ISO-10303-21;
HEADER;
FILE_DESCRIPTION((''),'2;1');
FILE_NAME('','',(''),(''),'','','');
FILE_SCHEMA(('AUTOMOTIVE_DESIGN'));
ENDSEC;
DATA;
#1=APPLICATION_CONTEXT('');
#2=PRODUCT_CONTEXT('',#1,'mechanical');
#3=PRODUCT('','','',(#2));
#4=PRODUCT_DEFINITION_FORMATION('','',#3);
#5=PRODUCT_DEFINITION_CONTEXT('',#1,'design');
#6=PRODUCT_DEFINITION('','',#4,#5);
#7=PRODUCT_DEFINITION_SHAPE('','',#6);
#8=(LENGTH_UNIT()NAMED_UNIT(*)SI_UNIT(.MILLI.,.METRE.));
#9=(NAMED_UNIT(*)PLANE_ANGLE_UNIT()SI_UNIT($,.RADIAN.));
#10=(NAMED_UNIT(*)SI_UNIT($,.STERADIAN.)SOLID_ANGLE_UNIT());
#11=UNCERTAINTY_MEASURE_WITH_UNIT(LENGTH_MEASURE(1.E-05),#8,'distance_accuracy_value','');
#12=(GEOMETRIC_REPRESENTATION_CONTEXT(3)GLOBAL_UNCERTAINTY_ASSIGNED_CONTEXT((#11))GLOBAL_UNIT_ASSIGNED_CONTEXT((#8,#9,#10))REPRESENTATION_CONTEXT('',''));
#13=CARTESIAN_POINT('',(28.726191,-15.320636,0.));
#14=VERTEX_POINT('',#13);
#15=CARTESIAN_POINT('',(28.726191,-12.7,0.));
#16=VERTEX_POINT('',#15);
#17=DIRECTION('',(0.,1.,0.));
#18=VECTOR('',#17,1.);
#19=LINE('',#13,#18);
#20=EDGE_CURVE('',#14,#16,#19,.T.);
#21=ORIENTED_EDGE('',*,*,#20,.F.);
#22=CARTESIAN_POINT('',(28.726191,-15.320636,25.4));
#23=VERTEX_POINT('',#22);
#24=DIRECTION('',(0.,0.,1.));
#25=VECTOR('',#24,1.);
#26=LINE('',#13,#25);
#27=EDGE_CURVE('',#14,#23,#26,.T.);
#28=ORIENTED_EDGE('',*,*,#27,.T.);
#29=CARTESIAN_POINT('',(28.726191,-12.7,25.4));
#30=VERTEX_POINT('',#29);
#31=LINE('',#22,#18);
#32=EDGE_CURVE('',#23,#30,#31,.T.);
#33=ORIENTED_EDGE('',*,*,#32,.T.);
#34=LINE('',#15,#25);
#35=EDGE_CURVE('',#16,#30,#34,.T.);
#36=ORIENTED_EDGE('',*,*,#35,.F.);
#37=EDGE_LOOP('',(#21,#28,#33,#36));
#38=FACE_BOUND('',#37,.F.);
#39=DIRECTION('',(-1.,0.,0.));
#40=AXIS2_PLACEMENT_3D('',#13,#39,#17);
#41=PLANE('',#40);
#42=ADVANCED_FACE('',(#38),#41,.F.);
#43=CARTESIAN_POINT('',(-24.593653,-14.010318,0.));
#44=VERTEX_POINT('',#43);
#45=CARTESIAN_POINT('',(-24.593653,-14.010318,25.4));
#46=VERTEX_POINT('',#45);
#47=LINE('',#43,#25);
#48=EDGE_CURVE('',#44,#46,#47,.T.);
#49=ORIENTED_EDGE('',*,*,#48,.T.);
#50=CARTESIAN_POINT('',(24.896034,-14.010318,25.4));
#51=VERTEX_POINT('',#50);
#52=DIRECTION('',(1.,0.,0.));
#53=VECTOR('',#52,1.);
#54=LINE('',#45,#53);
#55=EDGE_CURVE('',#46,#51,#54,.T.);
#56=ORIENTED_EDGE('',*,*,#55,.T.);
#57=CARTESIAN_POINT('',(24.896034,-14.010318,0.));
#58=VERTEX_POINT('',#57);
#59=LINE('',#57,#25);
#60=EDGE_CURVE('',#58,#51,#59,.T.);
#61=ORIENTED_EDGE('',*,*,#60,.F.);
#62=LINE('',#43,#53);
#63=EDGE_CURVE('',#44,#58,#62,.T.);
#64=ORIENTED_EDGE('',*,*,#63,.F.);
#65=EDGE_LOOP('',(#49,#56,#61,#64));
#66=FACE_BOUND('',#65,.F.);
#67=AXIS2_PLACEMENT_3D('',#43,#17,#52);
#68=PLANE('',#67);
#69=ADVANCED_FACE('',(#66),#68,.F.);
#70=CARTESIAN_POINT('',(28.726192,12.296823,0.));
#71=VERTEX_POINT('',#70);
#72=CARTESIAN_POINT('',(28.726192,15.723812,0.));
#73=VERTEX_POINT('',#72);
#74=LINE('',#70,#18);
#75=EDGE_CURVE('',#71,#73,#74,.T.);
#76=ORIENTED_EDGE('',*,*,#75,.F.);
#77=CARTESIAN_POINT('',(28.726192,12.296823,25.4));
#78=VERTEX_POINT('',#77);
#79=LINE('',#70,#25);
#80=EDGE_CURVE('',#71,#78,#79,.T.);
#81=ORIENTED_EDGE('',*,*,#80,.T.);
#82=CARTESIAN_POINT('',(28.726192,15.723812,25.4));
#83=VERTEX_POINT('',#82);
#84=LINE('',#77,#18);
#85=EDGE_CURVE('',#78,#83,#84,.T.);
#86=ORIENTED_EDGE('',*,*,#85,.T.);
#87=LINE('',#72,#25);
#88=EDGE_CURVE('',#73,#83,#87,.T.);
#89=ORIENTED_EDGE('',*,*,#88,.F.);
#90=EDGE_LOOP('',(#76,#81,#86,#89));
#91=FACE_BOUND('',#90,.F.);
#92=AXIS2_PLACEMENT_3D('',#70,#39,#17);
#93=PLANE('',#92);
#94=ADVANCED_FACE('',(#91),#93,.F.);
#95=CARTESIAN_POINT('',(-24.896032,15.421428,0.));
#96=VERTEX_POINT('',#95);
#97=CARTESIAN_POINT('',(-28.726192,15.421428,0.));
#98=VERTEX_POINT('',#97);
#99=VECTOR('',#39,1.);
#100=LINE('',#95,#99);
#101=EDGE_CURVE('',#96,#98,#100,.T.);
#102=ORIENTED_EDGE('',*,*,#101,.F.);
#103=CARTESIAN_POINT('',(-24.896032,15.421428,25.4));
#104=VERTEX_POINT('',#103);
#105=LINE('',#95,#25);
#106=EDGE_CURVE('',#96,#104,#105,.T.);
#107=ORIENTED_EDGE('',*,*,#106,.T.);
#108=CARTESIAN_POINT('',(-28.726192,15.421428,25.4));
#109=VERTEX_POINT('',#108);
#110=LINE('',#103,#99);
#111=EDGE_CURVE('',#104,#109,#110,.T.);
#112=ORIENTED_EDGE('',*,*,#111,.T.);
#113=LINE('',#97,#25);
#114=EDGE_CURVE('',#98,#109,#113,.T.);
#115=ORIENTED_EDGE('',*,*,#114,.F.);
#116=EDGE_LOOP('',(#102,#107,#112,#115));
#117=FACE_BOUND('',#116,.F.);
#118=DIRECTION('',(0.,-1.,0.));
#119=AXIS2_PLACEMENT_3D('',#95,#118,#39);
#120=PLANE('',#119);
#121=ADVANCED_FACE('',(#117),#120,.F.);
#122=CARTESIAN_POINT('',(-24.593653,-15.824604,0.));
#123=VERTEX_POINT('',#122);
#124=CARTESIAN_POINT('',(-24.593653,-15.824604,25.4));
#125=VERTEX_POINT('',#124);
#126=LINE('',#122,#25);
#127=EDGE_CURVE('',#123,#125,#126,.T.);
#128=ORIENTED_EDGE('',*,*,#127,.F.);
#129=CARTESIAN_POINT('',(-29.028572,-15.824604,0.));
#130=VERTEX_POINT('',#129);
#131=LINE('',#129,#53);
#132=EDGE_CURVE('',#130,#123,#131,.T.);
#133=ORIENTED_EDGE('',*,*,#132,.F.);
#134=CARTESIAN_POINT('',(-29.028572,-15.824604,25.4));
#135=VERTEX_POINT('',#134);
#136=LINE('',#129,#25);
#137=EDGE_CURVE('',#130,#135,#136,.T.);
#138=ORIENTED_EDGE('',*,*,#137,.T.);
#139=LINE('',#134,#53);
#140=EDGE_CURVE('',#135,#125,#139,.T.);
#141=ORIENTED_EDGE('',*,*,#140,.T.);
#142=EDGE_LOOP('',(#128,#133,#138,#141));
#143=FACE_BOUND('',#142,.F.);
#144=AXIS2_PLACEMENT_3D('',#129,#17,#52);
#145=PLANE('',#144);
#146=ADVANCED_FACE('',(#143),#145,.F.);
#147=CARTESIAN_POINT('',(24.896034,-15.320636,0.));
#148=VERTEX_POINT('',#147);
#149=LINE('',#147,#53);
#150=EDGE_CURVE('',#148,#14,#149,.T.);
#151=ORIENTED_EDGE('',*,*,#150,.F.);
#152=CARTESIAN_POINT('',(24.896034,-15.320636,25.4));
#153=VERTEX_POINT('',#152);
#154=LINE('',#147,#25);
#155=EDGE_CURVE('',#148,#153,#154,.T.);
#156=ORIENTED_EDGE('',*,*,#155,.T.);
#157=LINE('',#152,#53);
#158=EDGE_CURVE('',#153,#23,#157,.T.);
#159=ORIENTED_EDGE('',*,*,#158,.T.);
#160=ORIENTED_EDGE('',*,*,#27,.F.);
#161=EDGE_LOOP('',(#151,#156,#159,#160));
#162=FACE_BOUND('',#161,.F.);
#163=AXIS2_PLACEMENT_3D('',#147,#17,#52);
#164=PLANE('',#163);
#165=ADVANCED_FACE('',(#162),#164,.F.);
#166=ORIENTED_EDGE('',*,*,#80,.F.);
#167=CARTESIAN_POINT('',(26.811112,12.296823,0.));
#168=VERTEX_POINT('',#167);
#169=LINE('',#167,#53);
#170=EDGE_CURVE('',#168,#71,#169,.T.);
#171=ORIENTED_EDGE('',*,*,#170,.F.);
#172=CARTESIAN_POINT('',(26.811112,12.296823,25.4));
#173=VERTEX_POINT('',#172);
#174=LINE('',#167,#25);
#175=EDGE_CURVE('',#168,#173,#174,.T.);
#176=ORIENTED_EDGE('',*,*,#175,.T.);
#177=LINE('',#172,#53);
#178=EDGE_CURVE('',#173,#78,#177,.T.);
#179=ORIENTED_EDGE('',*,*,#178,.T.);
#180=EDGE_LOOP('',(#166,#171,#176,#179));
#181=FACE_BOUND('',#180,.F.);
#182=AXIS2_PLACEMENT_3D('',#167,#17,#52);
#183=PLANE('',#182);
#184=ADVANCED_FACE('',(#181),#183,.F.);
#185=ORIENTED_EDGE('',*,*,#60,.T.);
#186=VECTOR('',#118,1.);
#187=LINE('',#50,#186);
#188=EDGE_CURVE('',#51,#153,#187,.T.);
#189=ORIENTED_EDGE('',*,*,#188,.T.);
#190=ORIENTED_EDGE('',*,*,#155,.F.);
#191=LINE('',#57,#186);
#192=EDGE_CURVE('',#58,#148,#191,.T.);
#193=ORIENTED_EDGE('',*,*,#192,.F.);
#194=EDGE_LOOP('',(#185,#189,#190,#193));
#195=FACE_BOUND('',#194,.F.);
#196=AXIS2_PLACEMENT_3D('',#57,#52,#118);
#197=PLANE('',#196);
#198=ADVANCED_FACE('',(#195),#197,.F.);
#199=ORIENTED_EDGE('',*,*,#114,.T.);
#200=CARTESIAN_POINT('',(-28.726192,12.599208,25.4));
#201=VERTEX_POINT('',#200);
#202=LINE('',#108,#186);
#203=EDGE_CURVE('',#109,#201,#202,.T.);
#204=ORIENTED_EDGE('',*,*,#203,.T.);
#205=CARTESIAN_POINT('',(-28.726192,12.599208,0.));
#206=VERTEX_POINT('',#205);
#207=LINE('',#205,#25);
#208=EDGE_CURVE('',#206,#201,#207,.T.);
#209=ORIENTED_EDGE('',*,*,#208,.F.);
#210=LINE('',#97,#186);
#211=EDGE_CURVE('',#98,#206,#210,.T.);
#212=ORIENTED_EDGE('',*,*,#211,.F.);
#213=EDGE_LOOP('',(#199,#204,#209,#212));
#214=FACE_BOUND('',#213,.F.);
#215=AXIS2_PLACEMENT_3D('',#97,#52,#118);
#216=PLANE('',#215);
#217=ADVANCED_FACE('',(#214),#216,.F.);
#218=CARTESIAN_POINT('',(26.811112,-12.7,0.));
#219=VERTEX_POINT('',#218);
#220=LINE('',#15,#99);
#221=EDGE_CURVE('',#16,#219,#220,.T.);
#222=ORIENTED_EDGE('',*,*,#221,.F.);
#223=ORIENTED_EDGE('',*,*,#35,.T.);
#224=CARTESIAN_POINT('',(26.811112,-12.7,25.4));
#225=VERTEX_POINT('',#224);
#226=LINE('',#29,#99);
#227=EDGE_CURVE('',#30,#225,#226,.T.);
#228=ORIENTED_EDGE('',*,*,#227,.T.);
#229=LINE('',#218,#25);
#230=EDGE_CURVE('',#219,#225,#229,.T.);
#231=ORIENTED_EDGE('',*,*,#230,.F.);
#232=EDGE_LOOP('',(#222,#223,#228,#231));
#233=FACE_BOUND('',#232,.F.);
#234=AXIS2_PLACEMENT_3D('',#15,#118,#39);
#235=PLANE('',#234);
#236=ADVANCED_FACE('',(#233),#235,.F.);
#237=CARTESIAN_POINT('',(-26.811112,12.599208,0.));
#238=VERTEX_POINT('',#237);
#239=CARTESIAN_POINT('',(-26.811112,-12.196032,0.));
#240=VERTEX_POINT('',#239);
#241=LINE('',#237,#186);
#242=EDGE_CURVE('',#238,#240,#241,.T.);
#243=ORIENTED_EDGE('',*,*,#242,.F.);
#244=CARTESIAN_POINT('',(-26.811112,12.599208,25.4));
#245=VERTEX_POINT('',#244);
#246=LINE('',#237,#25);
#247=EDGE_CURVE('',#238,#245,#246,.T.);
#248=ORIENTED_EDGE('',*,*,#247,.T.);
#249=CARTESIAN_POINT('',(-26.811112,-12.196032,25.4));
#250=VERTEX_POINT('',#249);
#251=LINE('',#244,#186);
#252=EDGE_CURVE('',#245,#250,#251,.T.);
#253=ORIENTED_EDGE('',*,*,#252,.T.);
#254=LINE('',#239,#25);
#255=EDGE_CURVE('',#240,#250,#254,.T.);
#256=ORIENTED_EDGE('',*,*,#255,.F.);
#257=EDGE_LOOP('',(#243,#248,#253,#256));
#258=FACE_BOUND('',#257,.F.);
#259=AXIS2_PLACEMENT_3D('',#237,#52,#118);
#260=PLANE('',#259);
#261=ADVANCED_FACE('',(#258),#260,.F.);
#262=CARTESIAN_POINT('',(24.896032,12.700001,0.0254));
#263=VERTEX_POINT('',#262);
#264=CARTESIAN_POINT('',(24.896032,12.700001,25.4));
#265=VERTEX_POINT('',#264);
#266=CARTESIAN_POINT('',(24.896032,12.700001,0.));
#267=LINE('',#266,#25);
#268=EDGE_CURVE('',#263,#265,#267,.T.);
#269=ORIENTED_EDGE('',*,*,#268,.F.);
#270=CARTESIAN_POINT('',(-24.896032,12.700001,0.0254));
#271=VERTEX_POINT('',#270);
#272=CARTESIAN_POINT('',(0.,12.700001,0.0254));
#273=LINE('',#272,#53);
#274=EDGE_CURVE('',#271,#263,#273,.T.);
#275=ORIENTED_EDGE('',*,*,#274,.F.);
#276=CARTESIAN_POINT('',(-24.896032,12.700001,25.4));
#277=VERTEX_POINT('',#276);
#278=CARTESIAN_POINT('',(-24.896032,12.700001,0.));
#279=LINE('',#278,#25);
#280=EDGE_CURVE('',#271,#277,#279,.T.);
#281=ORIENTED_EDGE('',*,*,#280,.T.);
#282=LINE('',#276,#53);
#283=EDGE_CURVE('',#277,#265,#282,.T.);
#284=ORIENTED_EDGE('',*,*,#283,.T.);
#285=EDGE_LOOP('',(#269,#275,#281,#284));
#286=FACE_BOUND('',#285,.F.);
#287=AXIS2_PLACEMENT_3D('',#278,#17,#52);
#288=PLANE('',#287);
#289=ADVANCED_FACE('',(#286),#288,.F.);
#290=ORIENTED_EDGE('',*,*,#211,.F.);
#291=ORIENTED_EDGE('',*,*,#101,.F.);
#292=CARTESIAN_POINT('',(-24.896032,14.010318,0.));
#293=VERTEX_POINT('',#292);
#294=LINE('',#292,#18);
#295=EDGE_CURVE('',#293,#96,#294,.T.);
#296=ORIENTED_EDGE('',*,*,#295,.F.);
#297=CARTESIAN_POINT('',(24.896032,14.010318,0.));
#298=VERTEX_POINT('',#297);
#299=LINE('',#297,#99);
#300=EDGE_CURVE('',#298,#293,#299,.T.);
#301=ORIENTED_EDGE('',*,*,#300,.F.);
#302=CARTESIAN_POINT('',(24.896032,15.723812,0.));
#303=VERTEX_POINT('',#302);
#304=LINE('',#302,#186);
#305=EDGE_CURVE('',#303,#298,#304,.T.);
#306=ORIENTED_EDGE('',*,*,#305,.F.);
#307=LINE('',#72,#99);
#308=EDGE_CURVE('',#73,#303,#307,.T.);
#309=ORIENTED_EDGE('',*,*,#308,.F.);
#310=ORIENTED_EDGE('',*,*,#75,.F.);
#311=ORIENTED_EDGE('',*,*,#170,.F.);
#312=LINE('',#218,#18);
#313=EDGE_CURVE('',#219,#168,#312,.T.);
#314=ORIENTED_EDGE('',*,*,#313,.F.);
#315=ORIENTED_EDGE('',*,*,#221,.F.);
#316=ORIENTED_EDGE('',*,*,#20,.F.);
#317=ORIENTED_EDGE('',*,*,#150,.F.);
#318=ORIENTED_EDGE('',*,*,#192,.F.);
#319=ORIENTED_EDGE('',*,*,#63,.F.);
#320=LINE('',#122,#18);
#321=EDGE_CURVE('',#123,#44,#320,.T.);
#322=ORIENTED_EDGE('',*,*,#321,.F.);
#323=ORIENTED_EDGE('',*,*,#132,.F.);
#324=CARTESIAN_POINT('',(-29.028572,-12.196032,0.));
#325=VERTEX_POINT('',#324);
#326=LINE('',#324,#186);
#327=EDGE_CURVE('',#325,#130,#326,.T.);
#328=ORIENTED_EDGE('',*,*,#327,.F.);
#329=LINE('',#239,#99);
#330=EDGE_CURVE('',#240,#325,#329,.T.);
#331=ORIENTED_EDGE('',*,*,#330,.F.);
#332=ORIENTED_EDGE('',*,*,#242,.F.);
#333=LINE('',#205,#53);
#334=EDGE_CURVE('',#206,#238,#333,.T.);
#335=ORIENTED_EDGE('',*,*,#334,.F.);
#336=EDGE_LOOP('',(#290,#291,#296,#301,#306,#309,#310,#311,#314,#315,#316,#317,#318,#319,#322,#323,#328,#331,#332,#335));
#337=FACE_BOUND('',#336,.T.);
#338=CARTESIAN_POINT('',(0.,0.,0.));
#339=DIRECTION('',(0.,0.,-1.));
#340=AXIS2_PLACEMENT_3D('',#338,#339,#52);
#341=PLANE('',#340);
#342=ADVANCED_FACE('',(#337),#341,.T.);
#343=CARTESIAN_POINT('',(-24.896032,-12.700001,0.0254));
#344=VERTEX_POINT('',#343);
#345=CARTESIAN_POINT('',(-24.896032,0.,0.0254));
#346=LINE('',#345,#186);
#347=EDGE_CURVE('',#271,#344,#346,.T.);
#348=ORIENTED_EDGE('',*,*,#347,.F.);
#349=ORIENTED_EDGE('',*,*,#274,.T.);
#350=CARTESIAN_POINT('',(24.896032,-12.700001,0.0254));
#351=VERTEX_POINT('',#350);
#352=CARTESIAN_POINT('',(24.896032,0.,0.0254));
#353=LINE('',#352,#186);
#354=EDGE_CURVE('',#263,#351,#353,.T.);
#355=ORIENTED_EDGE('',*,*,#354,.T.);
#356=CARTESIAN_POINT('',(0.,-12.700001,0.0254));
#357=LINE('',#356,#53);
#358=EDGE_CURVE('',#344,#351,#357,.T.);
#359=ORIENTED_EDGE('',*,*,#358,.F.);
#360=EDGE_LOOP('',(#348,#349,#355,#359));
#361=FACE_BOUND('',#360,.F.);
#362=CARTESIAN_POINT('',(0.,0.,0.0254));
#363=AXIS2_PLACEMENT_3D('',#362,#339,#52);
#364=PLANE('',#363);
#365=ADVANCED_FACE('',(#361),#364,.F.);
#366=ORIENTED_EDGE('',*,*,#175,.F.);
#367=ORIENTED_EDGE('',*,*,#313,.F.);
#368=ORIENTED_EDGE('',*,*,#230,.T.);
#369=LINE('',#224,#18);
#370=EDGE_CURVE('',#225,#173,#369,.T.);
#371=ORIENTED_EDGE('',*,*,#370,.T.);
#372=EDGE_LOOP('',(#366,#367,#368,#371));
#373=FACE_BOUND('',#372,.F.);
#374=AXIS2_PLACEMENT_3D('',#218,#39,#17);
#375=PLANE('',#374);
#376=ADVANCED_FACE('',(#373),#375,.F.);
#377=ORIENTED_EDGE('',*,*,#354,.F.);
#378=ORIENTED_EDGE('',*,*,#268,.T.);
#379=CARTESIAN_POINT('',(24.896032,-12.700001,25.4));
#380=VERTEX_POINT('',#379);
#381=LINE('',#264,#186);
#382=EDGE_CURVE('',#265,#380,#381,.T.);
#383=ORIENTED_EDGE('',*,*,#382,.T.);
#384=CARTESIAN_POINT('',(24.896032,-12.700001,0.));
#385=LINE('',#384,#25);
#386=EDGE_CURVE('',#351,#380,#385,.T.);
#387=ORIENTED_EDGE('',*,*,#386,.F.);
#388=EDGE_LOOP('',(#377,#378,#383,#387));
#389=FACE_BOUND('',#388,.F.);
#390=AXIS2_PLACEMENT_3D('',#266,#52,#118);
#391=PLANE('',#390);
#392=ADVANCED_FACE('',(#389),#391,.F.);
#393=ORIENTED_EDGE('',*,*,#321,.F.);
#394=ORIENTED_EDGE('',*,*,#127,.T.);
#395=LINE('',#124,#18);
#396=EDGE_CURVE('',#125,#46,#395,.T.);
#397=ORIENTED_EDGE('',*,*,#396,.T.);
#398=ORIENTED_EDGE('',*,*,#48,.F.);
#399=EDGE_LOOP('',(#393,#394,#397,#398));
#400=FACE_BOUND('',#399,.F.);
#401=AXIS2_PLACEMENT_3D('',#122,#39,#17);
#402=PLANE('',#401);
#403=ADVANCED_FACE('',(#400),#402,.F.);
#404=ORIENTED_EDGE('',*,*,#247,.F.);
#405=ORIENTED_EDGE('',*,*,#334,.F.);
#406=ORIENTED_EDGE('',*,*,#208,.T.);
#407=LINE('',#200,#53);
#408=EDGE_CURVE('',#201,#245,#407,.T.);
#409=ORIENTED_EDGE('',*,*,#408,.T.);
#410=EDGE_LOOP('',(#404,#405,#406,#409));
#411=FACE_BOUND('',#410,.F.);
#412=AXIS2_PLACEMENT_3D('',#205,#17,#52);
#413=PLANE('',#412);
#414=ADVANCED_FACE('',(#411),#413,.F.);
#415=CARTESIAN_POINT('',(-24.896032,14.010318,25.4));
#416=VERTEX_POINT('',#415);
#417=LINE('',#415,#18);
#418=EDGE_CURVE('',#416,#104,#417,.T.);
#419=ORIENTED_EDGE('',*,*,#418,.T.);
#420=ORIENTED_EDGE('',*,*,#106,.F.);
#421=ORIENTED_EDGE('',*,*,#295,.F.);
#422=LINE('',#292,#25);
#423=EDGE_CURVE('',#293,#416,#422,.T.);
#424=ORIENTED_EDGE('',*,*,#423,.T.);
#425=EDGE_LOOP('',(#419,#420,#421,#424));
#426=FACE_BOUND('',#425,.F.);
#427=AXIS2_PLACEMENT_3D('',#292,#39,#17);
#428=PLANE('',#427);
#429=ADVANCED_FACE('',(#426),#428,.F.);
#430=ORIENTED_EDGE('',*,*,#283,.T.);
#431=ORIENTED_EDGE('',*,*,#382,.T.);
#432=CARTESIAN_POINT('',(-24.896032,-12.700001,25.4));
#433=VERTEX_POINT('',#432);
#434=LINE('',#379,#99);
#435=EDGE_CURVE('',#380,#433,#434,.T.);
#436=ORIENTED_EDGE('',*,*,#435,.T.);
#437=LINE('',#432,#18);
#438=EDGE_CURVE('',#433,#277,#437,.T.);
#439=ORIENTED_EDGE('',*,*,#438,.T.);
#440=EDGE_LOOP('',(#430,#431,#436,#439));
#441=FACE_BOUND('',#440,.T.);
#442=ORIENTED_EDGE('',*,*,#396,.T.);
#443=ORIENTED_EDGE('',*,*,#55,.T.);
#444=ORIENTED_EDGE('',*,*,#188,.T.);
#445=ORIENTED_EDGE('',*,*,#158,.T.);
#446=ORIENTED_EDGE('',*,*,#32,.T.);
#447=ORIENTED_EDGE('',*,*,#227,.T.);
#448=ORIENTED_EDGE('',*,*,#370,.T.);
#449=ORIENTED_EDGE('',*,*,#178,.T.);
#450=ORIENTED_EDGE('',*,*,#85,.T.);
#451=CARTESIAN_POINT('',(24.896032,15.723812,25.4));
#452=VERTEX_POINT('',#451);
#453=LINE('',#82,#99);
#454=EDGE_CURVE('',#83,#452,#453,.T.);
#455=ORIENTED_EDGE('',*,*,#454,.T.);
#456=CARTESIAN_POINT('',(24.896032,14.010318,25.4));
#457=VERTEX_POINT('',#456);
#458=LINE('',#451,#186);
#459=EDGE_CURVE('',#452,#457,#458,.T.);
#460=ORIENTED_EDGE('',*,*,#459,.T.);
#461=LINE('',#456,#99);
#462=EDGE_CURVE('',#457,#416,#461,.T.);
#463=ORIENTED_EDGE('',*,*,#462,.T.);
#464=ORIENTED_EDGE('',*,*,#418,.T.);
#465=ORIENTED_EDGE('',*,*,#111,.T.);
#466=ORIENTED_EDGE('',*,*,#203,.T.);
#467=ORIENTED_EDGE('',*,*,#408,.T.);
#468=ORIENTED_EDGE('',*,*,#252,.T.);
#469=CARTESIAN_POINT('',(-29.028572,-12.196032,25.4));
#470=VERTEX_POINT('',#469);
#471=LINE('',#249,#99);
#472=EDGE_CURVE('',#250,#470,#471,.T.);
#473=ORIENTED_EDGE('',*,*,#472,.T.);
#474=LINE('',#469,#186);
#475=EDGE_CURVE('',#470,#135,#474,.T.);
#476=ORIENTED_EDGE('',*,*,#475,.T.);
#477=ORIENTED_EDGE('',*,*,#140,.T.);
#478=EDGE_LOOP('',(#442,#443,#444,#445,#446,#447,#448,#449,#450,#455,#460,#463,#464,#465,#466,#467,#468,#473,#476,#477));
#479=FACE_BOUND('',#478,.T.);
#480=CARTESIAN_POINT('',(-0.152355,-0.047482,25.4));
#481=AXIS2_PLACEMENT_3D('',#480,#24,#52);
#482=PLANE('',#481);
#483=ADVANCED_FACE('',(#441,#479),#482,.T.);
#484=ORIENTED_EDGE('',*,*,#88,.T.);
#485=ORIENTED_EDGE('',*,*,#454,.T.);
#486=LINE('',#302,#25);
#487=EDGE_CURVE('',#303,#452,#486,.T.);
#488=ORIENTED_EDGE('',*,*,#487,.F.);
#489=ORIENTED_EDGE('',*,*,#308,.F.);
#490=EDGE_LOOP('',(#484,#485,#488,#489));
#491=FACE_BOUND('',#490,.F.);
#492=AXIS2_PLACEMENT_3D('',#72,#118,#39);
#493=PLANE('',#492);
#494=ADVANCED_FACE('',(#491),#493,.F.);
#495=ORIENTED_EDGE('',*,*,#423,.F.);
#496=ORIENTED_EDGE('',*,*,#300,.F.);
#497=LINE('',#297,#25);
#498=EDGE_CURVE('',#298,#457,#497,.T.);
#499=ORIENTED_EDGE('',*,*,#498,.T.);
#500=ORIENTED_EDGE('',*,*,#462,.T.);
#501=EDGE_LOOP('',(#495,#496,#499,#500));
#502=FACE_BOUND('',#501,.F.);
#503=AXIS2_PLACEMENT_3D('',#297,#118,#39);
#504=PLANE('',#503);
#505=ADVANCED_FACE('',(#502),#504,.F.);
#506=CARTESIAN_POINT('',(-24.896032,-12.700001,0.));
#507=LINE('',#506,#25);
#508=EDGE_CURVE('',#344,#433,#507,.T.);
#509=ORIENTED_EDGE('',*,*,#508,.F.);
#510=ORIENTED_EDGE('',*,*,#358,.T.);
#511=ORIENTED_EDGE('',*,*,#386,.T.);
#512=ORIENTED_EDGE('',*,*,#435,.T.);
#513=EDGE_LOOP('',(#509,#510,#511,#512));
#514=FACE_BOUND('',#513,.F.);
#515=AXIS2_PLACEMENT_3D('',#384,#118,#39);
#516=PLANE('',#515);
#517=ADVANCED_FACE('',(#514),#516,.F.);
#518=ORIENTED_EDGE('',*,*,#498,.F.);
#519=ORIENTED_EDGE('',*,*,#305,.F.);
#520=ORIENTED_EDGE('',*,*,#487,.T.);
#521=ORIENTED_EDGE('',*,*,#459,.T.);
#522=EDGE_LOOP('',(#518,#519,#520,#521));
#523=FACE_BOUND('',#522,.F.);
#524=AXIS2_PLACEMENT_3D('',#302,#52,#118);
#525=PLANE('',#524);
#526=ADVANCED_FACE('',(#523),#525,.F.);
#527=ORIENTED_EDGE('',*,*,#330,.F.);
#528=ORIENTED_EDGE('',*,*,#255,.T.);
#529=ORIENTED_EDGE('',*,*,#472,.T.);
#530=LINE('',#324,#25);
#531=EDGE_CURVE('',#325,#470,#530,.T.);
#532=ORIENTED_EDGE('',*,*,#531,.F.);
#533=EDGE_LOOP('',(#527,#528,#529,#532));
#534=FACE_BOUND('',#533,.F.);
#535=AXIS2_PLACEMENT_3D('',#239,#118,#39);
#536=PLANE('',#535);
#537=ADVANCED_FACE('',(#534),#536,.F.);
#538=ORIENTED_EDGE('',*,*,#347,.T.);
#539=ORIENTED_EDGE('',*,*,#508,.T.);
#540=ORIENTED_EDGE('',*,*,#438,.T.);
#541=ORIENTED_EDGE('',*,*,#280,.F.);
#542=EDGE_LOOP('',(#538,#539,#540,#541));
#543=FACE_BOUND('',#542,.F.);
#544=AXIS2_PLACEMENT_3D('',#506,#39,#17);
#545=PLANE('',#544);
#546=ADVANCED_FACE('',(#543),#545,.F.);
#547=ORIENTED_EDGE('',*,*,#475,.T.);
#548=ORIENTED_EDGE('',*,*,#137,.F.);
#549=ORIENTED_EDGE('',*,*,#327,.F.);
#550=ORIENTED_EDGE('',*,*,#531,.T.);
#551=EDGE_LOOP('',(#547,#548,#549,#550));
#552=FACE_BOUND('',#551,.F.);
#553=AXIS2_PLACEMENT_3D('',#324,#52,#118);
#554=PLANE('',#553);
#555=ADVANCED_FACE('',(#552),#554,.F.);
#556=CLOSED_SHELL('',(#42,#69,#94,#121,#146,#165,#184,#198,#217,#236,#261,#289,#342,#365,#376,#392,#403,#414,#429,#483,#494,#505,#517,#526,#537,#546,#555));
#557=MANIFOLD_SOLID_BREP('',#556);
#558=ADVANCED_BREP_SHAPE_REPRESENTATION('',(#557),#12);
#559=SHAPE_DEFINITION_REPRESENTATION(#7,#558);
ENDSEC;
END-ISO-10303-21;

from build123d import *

# Parameters (mm, degrees)
F1_DEPTH = 25.4
F2_W     = 49.792064
F2_H     = 25.400002
F3_DEPTH = 0.0254


with BuildPart() as f1:
    # F0 (on Top) → F1 (new body)
    with BuildSketch(Plane.XY):
        Polygon((24.896032, 15.723812), (24.896032, 14.010318), (-24.896032, 14.010318), (-24.896032, 15.421428), (-28.726192, 15.421428), (-28.726192, 12.599208), (-26.811112, 12.599208), (-26.811112, -12.196032), (-29.028572, -12.196032), (-29.028572, -15.824604), (-24.593653, -15.824604), (-24.593653, -14.010318), (24.896034, -14.010318), (24.896034, -15.320636), (28.726191, -15.320636), (28.726191, -12.7), (26.811112, -12.7), (26.811112, 12.296823), (28.726192, 12.296823), (28.726192, 15.723812), align=None)
        Polygon((-24.896032, 12.700001), (24.896032, 12.700001), (24.896032, 12.296823), (24.896032, -12.700001), (-24.593653, -12.700001), (-24.896032, -12.700001), (-24.896032, -12.196032), (-24.896032, 12.599208), align=None, mode=Mode.SUBTRACT)
    extrude(amount=F1_DEPTH)

    # F2 (on face) → F3 (join)
    with BuildSketch(Plane(origin=(0, 0, 0), x_dir=(1, 0, 0), z_dir=(0, 0, -1))):
        Rectangle(F2_W, F2_H)
    extrude(amount=-F3_DEPTH)


solid = f1.part
